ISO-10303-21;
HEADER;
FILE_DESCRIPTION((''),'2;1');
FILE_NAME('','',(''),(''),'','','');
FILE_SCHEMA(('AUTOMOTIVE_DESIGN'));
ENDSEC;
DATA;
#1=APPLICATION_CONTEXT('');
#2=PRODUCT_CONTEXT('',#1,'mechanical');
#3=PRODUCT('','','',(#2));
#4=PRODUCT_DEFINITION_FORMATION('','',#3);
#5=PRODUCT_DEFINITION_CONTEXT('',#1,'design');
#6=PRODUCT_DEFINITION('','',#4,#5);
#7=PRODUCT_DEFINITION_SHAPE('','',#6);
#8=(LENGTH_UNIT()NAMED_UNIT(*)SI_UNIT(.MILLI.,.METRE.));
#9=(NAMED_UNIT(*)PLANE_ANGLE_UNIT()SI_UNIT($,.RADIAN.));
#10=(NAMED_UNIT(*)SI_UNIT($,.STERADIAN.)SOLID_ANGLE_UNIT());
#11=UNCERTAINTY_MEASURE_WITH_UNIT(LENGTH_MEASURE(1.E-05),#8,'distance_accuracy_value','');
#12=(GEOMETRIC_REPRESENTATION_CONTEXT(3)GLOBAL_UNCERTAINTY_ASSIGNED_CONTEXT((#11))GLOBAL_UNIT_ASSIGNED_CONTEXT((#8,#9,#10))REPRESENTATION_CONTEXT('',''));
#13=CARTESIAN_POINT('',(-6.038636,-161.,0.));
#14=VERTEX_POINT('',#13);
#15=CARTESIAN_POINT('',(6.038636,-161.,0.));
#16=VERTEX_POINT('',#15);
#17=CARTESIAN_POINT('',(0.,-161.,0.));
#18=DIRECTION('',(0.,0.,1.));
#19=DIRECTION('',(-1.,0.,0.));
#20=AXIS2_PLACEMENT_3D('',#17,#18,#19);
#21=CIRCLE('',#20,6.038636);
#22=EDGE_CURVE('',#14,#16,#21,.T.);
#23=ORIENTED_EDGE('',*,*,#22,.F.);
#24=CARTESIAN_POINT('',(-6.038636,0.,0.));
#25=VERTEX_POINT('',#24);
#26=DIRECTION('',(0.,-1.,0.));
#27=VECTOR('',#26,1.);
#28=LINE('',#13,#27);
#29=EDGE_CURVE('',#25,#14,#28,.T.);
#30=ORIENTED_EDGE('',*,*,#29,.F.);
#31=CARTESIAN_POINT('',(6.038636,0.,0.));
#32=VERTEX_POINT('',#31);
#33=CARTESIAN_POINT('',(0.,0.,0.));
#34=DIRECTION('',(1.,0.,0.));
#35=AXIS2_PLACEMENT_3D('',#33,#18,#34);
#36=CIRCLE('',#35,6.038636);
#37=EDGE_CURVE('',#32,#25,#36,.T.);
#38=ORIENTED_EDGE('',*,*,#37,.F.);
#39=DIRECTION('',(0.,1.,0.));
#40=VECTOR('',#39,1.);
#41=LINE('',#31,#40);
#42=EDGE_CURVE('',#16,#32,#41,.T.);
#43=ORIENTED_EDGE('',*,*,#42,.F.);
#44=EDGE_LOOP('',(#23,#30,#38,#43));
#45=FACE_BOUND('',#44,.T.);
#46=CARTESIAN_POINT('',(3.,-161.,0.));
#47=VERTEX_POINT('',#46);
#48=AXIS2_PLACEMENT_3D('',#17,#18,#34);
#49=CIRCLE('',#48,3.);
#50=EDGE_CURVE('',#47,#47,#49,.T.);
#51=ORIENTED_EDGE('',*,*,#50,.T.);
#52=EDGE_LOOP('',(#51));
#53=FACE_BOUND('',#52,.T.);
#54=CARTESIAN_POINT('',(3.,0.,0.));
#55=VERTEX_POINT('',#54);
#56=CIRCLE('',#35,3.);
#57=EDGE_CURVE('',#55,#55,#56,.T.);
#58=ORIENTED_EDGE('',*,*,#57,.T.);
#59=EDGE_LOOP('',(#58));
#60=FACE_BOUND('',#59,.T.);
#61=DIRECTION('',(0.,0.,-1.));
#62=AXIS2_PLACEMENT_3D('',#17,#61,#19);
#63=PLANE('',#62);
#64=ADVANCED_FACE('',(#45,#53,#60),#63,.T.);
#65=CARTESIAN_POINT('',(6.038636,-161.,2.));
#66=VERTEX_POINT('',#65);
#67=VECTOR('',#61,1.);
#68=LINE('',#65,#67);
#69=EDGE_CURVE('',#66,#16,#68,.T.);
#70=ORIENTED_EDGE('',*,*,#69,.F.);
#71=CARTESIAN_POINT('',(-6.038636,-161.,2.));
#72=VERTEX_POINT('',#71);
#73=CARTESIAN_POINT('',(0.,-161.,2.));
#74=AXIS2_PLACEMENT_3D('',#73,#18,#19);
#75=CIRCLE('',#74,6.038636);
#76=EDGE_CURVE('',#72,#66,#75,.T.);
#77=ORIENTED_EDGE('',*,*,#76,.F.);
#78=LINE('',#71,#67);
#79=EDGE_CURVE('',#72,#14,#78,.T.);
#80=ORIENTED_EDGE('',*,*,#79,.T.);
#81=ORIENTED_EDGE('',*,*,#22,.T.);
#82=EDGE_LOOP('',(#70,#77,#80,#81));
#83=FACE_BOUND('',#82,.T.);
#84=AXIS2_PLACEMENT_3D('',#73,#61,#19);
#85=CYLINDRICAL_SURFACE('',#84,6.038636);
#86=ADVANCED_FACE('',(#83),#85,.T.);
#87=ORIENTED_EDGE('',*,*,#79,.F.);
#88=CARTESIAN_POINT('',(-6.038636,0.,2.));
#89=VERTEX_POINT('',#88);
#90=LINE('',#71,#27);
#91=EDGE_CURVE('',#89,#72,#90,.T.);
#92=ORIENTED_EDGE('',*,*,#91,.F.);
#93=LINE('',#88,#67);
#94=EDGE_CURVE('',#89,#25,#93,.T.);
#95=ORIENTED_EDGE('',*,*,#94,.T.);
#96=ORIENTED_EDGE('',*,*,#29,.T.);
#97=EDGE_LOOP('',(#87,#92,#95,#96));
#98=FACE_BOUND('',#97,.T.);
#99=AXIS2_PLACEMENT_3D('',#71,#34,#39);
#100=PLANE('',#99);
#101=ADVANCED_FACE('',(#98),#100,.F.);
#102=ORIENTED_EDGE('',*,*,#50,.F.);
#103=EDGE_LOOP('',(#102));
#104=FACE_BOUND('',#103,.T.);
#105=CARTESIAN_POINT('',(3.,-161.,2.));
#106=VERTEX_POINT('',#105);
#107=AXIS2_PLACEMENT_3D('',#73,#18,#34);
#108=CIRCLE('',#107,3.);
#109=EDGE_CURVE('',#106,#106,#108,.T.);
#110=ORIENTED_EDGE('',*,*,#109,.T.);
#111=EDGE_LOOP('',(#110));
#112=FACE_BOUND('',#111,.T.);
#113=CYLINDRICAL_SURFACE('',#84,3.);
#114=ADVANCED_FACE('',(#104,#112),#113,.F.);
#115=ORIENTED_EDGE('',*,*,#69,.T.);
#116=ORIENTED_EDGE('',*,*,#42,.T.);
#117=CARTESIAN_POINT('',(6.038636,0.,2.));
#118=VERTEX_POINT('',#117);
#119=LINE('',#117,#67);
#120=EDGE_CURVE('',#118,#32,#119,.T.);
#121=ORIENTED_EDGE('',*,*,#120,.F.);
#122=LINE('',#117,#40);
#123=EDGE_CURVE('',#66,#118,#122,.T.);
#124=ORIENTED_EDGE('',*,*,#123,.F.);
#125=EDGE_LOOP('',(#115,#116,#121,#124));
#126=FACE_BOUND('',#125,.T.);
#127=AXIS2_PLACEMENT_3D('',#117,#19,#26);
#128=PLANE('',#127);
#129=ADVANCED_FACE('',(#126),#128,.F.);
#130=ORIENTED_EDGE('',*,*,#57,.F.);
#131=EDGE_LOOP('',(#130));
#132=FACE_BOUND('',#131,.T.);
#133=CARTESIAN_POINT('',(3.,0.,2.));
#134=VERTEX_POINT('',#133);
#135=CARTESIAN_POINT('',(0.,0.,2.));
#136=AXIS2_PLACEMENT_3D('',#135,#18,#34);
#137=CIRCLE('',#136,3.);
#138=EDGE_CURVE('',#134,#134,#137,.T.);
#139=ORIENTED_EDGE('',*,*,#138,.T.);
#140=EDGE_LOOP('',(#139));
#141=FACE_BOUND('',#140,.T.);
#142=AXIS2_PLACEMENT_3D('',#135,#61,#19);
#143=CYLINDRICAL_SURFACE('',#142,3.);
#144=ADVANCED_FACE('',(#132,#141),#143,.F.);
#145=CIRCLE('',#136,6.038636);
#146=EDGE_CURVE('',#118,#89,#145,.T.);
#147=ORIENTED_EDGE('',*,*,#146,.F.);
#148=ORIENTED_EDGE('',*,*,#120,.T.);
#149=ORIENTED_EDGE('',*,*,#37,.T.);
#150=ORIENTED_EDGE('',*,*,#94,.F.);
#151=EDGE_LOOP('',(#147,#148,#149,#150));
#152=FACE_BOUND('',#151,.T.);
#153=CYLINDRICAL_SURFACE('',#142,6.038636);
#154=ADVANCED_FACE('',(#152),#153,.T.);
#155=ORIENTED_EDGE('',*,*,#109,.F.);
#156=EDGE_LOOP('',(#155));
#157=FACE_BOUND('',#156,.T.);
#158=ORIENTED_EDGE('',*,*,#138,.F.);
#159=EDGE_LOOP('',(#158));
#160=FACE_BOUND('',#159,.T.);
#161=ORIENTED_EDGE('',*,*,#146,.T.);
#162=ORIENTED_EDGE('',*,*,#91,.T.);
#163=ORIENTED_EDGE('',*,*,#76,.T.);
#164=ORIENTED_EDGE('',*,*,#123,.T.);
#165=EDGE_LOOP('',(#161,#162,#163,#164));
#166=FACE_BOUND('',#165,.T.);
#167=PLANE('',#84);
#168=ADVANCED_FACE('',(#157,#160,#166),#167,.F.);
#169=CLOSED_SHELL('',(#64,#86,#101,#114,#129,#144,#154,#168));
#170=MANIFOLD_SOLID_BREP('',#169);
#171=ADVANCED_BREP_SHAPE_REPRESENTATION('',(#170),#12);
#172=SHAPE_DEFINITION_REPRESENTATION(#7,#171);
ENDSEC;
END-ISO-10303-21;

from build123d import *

# Parameters (mm, degrees)
SKETCH_1_R      = 3
EXTRUDE_1_DEPTH = 2


with BuildPart() as part:
    # 草图1 → 凸台-拉伸1 (new body)
    with BuildSketch(Plane.XY):
        with BuildLine():
            Line((6.038635547, 0), (6.038635547, -161))
            ThreePointArc((6.038635547, -161), (0, -167.038635547), (-6.038635547, -161))
            Line((-6.038635547, -161), (-6.038635547, 0))
            ThreePointArc((-6.038635547, 0), (0, 6.038635547), (6.038635547, 0))
        make_face()
        Circle(SKETCH_1_R, mode=Mode.SUBTRACT)
        with Locations((0, -161)):
            Circle(SKETCH_1_R, mode=Mode.SUBTRACT)
    extrude(amount=EXTRUDE_1_DEPTH)


solid = part.part
